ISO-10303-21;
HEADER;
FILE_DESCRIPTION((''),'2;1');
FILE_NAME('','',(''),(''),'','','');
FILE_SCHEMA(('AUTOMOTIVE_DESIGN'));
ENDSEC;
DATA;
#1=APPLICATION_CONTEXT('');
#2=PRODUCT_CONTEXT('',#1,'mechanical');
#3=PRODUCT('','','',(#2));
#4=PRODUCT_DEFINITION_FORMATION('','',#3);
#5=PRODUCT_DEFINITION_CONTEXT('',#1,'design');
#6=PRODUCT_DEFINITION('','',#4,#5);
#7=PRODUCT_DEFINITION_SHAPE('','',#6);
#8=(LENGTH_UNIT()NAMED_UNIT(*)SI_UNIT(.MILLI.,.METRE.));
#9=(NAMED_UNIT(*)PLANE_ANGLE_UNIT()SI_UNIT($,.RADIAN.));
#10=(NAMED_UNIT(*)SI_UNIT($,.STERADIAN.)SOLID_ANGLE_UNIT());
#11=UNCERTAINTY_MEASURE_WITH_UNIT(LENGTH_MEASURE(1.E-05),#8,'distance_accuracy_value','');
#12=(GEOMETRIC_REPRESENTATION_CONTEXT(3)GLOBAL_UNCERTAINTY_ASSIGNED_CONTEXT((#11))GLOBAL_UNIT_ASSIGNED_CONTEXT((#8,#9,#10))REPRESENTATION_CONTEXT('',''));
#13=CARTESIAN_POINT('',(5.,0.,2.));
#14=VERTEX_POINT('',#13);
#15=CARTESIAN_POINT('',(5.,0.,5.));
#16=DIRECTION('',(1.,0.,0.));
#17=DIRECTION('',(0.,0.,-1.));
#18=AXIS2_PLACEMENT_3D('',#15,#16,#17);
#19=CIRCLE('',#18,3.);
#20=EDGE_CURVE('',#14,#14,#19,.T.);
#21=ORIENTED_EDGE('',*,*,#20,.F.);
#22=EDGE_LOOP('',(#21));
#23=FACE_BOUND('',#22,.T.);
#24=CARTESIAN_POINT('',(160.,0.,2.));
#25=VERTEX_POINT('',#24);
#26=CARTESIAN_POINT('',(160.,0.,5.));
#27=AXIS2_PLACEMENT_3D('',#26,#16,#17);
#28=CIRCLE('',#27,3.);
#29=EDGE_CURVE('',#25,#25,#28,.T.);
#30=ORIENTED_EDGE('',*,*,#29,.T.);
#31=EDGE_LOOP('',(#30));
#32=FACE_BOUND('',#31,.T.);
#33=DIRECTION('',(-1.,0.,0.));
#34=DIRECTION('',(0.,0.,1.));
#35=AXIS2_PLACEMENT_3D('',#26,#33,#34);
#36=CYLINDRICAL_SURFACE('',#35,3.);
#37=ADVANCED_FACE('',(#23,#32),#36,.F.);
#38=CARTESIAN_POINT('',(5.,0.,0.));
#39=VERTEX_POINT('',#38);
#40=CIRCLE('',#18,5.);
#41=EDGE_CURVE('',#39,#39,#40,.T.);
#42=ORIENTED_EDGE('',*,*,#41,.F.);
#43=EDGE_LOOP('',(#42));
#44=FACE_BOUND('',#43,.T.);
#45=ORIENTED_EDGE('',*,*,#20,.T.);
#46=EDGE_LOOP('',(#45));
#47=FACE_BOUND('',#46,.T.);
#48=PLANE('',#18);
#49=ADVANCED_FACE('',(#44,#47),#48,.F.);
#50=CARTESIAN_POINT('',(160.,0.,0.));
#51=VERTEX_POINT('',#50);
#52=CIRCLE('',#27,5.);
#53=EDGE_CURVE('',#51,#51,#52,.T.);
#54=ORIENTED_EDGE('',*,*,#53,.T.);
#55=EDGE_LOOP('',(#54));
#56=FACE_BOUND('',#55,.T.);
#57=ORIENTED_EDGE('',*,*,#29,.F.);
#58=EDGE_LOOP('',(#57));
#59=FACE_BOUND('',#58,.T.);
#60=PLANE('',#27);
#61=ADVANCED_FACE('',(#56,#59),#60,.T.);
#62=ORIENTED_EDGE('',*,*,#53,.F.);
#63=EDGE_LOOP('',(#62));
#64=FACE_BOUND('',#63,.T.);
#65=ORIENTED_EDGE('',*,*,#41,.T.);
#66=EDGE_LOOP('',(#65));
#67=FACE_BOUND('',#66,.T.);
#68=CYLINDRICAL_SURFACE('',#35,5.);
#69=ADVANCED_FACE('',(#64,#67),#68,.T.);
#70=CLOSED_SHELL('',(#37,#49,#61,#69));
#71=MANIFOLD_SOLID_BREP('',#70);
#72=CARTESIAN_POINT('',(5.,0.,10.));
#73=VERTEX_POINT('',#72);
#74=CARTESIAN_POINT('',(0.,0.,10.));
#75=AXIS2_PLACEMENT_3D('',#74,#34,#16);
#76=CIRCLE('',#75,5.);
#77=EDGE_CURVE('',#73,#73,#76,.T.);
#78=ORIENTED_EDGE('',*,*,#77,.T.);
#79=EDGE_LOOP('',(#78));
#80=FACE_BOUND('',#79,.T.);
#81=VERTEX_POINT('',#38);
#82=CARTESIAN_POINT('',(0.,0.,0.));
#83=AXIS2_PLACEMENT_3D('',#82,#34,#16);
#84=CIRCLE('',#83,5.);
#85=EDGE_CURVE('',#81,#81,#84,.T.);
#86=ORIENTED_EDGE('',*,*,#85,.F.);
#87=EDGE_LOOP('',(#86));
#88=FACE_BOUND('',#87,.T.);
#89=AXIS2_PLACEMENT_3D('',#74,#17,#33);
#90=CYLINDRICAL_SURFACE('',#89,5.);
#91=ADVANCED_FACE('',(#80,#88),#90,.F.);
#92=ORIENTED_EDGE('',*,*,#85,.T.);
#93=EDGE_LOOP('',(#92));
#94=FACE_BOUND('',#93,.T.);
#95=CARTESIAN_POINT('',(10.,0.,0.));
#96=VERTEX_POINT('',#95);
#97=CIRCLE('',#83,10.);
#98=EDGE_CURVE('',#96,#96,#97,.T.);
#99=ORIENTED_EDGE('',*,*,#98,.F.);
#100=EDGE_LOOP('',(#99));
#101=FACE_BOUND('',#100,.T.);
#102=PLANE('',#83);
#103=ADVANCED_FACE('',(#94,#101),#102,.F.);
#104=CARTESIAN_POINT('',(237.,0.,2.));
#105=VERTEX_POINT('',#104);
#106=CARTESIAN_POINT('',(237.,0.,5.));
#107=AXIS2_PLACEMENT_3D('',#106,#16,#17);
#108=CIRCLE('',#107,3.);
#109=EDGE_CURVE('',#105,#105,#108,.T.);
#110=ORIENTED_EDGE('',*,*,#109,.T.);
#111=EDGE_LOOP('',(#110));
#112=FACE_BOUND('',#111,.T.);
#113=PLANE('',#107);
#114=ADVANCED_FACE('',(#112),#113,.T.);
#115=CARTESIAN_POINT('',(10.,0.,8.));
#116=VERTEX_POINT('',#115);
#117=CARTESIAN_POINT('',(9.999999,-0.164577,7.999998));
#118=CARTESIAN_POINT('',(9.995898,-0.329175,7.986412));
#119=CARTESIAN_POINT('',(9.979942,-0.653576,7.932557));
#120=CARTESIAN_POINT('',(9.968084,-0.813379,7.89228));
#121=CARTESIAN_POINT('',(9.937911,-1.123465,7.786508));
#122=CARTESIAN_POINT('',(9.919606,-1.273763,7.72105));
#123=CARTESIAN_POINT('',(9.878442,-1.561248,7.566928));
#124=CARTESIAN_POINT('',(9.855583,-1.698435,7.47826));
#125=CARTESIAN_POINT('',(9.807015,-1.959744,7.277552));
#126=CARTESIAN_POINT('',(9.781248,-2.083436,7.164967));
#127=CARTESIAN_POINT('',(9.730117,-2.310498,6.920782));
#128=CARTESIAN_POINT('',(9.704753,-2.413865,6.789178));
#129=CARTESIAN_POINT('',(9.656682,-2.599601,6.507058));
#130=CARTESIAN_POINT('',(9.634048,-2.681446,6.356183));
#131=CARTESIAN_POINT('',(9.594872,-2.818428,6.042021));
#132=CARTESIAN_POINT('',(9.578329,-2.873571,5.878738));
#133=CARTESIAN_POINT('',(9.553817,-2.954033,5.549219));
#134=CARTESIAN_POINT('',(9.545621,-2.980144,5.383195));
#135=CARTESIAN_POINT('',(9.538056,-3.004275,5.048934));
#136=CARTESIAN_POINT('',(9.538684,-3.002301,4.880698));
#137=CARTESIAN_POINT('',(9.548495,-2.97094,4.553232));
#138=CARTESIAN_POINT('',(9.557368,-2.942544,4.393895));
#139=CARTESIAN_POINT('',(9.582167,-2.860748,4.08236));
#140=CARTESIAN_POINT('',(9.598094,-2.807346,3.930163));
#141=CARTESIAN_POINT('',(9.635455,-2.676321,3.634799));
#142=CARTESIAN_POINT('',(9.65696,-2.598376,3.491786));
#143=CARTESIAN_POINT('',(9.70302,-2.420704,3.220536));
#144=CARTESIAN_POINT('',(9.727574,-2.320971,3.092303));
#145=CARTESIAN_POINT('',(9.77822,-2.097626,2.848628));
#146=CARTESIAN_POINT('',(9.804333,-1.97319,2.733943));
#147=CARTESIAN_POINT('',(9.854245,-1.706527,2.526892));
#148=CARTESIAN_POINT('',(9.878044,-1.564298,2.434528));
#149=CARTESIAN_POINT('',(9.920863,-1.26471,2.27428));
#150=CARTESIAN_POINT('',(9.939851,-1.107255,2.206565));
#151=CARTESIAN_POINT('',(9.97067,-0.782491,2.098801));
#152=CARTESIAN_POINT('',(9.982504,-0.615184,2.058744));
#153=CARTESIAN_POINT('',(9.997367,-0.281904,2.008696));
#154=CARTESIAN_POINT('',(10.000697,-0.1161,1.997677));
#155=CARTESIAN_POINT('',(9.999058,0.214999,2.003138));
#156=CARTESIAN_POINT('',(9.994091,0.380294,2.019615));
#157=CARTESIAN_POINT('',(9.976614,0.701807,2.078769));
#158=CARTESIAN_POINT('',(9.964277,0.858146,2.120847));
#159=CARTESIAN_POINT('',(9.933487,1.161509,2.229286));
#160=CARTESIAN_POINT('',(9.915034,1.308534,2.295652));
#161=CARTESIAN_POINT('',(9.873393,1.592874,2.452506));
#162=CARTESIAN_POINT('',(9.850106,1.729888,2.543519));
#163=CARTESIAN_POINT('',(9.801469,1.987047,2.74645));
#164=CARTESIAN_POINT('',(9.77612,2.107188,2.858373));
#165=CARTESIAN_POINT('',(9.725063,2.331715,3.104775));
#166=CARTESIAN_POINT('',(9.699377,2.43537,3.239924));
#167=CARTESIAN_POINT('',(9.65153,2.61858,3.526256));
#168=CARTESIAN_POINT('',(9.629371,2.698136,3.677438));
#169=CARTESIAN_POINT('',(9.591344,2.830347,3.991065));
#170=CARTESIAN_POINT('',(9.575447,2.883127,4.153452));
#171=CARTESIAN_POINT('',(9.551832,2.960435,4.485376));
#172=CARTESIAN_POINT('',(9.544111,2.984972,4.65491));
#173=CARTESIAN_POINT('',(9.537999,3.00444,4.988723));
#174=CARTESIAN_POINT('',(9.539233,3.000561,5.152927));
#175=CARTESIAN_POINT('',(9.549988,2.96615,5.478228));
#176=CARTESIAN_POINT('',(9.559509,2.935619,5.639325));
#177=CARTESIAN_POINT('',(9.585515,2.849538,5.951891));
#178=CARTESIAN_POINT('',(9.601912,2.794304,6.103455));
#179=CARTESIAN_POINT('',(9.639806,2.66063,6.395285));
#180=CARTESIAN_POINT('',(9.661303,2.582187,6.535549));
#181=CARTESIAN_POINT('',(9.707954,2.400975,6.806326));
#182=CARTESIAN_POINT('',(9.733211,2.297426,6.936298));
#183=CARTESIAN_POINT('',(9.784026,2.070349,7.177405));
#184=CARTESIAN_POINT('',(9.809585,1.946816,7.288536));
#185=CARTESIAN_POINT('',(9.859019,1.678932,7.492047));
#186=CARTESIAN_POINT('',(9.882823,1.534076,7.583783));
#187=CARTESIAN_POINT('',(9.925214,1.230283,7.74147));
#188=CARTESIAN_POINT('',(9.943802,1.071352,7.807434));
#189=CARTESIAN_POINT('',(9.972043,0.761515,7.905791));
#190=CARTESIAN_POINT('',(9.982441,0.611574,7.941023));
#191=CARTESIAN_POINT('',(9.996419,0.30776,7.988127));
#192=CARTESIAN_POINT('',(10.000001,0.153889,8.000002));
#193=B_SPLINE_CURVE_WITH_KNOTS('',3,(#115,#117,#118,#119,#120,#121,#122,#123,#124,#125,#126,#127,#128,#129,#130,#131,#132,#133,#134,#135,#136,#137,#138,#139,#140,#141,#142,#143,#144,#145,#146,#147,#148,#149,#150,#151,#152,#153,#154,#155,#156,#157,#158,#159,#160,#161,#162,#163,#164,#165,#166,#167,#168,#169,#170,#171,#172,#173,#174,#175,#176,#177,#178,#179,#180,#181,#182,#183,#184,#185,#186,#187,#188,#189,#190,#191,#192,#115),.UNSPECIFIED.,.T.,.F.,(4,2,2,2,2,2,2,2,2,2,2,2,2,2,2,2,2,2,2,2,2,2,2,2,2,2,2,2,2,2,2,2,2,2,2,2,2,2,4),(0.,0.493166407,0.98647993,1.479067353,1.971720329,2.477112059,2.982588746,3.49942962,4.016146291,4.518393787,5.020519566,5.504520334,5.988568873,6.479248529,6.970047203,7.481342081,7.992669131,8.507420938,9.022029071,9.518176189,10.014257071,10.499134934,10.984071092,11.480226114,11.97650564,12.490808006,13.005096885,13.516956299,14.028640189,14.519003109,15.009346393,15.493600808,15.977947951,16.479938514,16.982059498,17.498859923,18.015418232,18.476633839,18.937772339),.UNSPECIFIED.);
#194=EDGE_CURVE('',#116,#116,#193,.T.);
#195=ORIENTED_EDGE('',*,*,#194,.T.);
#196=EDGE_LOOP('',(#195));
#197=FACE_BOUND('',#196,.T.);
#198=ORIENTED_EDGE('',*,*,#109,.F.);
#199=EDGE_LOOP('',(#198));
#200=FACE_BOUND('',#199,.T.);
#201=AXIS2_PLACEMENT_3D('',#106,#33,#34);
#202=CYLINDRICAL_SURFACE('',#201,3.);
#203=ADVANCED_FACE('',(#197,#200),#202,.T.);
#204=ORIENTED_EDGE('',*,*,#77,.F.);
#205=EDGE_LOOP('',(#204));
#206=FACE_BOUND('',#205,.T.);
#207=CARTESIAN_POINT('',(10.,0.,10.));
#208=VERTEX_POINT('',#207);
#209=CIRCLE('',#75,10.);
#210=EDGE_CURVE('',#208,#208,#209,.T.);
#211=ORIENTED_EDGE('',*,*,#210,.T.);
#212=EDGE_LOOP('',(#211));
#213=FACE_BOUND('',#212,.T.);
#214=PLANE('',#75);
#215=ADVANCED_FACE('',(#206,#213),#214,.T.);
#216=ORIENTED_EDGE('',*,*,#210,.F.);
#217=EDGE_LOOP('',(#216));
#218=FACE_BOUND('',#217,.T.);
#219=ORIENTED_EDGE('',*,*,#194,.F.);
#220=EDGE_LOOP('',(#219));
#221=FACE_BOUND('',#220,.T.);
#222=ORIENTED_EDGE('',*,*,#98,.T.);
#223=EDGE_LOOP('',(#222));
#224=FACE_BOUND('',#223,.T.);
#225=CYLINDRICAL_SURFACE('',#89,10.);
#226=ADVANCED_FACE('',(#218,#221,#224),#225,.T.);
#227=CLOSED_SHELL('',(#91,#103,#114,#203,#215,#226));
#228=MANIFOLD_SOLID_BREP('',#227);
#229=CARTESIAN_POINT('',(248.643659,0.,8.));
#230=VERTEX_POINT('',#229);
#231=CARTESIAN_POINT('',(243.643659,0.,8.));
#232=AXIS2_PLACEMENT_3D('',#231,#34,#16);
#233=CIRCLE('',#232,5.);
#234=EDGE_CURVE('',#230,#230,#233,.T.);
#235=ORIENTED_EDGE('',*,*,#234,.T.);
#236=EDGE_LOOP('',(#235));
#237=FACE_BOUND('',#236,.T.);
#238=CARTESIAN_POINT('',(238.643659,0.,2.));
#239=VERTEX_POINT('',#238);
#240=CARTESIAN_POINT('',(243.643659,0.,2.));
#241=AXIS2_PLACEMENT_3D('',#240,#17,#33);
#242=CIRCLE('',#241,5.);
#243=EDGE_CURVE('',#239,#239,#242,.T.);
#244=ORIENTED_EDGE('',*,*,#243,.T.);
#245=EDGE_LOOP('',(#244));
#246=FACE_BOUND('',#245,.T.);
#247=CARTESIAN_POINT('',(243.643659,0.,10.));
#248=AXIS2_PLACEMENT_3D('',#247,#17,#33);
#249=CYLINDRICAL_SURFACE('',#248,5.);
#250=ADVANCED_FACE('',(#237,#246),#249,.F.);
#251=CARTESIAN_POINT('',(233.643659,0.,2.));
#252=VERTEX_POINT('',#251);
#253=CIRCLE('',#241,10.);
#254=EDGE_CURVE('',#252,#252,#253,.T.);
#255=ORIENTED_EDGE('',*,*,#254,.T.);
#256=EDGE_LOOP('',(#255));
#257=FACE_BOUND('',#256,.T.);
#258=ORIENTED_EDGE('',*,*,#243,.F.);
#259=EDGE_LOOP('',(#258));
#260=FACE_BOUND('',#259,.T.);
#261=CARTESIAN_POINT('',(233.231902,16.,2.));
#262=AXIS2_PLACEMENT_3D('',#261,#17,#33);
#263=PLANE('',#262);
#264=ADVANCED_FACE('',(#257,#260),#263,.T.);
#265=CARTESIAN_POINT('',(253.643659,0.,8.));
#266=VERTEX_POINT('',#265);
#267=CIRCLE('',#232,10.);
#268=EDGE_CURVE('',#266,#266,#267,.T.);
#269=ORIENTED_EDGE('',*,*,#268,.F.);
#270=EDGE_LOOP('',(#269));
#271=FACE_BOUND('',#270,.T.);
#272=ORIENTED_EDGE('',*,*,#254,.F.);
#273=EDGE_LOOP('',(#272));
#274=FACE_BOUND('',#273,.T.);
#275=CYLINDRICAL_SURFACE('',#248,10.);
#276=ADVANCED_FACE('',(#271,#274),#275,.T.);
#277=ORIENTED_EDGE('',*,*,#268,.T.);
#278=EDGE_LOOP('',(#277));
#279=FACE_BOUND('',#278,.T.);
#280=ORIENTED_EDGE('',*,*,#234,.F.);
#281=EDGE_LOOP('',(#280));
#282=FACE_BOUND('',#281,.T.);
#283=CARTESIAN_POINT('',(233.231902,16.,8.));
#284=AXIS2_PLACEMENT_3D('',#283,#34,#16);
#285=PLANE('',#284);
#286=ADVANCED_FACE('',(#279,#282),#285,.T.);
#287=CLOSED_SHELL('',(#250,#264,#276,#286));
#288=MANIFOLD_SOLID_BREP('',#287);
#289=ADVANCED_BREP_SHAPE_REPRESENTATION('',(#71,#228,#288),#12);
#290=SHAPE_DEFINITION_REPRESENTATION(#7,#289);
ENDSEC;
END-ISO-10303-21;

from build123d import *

# Parameters (mm, degrees)
SKETCH_1_R               = 10
SKETCH_1_R_2             = 5
EXTRUDE_1_DEPTH          = 10
EXTRUDE_START            = 7
SKETCH_2_R               = 3
EXTRUDE_1_2_DEPTH        = 230
SKETCH_3_R               = 10
SKETCH_3_R_2             = 5
EXTRUDE_2_DEPTH          = 10
CUT_EXTRUDE_2_DEPTH      = 16
CUT_EXTRUDE_2_DEPTH_BACK = 16
SKETCH_5_W               = 25.612754073
SKETCH_5_H               = 5.27381734
SKETCH_5_W_2             = 26.516733628
SKETCH_5_H_2             = 5.299141178
EXTRUDE_START_2          = 5
SKETCH_6_R               = 5
SKETCH_6_R_2             = 3
EXTRUDE_3_DEPTH          = 155


with BuildPart() as part:
    # 草图1 → Extrude 1 (new body)
    with BuildSketch(Plane.XY):
        Circle(SKETCH_1_R)
        Circle(SKETCH_1_R_2, mode=Mode.SUBTRACT)
    extrude(amount=EXTRUDE_1_DEPTH)

    # 草图2 → Extrude 1 2 (add)
    with BuildSketch(Plane(origin=(0, 0, 0), x_dir=(0, 0, -1), z_dir=(1, 0, 0)).offset(EXTRUDE_START)):
        with Locations((-5, 0)):
            Circle(SKETCH_2_R)
    extrude(amount=EXTRUDE_1_2_DEPTH)


with BuildPart() as body_2:
    # 草图3 → 拉伸-薄壁2 (new body)
    with BuildSketch(Plane.XY):
        with Locations((243.643659116, 0)):
            Circle(SKETCH_3_R)
        with Locations((243.643659116, 0)):
            Circle(SKETCH_3_R_2, mode=Mode.SUBTRACT)
    extrude(amount=EXTRUDE_2_DEPTH)

    # 草图5 → 切除-拉伸2 (cut, two sides: drawn at the far end of the back side and taken through both)
    with BuildSketch(Plane(origin=(0, 0, 0), x_dir=(1, 0, 0), z_dir=(0, 1, 0)).offset(-CUT_EXTRUDE_2_DEPTH_BACK)):
        with Locations((246.038279089, 0.63690867)):
            Rectangle(SKETCH_5_W, SKETCH_5_H)
        with Locations((246.490268866, -10.649570589)):
            Rectangle(SKETCH_5_W_2, SKETCH_5_H_2)
    extrude(amount=CUT_EXTRUDE_2_DEPTH + CUT_EXTRUDE_2_DEPTH_BACK, mode=Mode.SUBTRACT)


with BuildPart() as body_3:
    # 草图6 → 拉伸-薄壁3 (new body)
    with BuildSketch(Plane(origin=(0, 0, 0), x_dir=(0, 0, -1), z_dir=(1, 0, 0)).offset(EXTRUDE_START_2)):
        with Locations((-5, 0)):
            Circle(SKETCH_6_R)
        with Locations((-5, 0)):
            Circle(SKETCH_6_R_2, mode=Mode.SUBTRACT)
    extrude(amount=EXTRUDE_3_DEPTH)


solid = Compound([part.part, body_2.part, body_3.part])
